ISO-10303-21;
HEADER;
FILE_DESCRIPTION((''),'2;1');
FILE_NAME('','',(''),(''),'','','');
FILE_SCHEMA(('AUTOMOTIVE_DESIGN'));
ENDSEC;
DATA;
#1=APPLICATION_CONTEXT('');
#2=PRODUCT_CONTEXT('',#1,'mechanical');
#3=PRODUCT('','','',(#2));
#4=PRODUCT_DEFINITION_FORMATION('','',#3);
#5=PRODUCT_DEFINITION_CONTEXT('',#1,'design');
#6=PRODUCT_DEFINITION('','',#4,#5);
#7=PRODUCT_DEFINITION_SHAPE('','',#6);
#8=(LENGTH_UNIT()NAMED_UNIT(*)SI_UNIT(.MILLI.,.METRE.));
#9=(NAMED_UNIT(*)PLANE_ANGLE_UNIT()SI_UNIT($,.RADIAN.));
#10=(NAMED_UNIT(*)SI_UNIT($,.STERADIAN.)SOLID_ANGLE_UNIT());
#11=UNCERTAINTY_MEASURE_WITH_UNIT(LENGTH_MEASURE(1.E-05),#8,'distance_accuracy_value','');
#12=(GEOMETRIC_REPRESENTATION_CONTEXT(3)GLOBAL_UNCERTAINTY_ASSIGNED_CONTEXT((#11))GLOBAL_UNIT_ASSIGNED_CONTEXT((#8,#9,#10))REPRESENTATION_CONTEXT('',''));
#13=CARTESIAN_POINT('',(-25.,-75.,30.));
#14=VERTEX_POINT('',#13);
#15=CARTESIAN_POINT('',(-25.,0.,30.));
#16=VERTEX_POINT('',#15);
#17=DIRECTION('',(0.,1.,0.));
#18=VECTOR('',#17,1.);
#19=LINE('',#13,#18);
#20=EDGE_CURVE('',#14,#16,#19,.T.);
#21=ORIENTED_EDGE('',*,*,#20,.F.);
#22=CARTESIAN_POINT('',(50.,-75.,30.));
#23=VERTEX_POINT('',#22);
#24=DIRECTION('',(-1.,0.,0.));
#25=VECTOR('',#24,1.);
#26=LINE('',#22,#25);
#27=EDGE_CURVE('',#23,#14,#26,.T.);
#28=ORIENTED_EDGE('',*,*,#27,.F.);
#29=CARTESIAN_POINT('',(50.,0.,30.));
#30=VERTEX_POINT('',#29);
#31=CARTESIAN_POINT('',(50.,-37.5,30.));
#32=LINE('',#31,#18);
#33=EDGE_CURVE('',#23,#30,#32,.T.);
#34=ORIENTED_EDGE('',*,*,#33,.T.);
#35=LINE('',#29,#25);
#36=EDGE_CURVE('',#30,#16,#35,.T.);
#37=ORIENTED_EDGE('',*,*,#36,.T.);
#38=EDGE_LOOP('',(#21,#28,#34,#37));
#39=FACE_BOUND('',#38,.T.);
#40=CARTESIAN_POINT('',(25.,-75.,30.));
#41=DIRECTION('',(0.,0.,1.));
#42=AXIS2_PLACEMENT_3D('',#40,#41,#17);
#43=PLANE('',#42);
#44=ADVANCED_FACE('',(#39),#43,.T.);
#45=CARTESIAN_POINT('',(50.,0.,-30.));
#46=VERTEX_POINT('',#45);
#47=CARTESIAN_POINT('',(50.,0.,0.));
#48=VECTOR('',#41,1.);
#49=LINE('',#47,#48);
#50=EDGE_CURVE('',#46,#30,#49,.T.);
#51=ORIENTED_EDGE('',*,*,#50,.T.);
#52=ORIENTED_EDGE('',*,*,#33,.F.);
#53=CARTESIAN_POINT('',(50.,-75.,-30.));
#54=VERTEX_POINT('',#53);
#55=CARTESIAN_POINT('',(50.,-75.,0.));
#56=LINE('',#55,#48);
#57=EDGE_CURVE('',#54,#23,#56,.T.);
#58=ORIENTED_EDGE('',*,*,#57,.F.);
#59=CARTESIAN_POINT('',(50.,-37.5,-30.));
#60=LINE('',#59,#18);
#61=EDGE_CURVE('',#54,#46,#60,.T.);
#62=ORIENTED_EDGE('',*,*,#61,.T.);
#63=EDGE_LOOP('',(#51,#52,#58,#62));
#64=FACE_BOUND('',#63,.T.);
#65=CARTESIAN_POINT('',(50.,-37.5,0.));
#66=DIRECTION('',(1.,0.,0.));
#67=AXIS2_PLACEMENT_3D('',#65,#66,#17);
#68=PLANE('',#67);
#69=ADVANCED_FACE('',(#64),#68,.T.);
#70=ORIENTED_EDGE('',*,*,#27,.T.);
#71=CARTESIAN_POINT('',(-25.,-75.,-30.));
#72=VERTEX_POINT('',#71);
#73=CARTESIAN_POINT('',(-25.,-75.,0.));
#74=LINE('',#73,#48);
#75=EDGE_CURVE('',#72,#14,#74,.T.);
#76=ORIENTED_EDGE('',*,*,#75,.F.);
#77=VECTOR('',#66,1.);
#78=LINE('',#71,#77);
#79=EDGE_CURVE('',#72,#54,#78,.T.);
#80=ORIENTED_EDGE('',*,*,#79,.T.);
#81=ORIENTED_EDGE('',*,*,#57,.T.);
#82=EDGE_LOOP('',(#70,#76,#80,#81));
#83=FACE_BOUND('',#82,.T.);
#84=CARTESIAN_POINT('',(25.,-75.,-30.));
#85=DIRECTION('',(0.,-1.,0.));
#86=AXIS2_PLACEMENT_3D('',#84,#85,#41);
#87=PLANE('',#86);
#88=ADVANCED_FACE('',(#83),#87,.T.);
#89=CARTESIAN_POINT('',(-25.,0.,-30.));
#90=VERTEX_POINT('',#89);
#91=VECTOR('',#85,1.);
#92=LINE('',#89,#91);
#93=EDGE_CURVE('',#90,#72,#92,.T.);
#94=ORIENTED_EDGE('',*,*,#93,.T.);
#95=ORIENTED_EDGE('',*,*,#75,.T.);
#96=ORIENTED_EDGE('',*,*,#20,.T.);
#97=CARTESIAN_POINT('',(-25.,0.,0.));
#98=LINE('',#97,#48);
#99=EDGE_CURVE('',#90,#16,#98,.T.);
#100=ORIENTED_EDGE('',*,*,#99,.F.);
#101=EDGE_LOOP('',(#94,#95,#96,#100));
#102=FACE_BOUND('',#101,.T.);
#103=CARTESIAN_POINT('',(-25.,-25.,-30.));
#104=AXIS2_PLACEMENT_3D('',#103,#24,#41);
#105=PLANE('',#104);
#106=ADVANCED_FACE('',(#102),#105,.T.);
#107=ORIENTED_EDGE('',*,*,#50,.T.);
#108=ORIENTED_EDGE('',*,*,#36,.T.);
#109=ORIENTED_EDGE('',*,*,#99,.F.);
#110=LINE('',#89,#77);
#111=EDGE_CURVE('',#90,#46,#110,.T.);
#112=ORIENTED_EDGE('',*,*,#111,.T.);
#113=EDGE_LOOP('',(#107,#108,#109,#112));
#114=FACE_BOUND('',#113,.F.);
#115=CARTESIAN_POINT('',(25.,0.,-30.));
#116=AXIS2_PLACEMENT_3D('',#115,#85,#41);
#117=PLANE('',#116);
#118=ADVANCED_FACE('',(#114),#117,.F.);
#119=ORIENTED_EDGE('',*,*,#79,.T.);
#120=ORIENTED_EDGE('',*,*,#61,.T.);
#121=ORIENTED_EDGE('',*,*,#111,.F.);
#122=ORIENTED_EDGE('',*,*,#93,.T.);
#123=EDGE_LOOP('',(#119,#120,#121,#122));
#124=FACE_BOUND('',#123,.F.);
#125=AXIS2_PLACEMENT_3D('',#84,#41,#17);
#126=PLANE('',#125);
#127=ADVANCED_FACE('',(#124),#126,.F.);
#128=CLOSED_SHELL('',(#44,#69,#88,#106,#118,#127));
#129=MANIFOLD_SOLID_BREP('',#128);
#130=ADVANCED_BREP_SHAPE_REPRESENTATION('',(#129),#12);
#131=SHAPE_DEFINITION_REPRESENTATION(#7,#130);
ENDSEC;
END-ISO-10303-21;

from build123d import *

# Parameters (mm, degrees)
F0_W      = 50
F0_H      = 60
F1_DEPTH  = 25
F1_FACE_W = 50
F1_FACE_H = 60
F2_DEPTH  = 50
F2_FACE_W = 75
F2_FACE_H = 60
F3_DEPTH  = 25


with BuildPart() as f1:
    # F0 (on Front) → F1 (new body)
    with BuildSketch(Plane.XZ):
        Rectangle(F0_W, F0_H)
    extrude(amount=F1_DEPTH)

    # F1_face (on face) → F2 (join)
    with BuildSketch(Plane.XZ.offset(25)):
        Rectangle(F1_FACE_W, F1_FACE_H)
    extrude(amount=F2_DEPTH)

    # F2_face (on face) → F3 (join)
    with BuildSketch(Plane(origin=(25, -37.5, 0), x_dir=(0, 1, 0), z_dir=(1, 0, 0))):
        Rectangle(F2_FACE_W, F2_FACE_H)
    extrude(amount=F3_DEPTH)


solid = f1.part
